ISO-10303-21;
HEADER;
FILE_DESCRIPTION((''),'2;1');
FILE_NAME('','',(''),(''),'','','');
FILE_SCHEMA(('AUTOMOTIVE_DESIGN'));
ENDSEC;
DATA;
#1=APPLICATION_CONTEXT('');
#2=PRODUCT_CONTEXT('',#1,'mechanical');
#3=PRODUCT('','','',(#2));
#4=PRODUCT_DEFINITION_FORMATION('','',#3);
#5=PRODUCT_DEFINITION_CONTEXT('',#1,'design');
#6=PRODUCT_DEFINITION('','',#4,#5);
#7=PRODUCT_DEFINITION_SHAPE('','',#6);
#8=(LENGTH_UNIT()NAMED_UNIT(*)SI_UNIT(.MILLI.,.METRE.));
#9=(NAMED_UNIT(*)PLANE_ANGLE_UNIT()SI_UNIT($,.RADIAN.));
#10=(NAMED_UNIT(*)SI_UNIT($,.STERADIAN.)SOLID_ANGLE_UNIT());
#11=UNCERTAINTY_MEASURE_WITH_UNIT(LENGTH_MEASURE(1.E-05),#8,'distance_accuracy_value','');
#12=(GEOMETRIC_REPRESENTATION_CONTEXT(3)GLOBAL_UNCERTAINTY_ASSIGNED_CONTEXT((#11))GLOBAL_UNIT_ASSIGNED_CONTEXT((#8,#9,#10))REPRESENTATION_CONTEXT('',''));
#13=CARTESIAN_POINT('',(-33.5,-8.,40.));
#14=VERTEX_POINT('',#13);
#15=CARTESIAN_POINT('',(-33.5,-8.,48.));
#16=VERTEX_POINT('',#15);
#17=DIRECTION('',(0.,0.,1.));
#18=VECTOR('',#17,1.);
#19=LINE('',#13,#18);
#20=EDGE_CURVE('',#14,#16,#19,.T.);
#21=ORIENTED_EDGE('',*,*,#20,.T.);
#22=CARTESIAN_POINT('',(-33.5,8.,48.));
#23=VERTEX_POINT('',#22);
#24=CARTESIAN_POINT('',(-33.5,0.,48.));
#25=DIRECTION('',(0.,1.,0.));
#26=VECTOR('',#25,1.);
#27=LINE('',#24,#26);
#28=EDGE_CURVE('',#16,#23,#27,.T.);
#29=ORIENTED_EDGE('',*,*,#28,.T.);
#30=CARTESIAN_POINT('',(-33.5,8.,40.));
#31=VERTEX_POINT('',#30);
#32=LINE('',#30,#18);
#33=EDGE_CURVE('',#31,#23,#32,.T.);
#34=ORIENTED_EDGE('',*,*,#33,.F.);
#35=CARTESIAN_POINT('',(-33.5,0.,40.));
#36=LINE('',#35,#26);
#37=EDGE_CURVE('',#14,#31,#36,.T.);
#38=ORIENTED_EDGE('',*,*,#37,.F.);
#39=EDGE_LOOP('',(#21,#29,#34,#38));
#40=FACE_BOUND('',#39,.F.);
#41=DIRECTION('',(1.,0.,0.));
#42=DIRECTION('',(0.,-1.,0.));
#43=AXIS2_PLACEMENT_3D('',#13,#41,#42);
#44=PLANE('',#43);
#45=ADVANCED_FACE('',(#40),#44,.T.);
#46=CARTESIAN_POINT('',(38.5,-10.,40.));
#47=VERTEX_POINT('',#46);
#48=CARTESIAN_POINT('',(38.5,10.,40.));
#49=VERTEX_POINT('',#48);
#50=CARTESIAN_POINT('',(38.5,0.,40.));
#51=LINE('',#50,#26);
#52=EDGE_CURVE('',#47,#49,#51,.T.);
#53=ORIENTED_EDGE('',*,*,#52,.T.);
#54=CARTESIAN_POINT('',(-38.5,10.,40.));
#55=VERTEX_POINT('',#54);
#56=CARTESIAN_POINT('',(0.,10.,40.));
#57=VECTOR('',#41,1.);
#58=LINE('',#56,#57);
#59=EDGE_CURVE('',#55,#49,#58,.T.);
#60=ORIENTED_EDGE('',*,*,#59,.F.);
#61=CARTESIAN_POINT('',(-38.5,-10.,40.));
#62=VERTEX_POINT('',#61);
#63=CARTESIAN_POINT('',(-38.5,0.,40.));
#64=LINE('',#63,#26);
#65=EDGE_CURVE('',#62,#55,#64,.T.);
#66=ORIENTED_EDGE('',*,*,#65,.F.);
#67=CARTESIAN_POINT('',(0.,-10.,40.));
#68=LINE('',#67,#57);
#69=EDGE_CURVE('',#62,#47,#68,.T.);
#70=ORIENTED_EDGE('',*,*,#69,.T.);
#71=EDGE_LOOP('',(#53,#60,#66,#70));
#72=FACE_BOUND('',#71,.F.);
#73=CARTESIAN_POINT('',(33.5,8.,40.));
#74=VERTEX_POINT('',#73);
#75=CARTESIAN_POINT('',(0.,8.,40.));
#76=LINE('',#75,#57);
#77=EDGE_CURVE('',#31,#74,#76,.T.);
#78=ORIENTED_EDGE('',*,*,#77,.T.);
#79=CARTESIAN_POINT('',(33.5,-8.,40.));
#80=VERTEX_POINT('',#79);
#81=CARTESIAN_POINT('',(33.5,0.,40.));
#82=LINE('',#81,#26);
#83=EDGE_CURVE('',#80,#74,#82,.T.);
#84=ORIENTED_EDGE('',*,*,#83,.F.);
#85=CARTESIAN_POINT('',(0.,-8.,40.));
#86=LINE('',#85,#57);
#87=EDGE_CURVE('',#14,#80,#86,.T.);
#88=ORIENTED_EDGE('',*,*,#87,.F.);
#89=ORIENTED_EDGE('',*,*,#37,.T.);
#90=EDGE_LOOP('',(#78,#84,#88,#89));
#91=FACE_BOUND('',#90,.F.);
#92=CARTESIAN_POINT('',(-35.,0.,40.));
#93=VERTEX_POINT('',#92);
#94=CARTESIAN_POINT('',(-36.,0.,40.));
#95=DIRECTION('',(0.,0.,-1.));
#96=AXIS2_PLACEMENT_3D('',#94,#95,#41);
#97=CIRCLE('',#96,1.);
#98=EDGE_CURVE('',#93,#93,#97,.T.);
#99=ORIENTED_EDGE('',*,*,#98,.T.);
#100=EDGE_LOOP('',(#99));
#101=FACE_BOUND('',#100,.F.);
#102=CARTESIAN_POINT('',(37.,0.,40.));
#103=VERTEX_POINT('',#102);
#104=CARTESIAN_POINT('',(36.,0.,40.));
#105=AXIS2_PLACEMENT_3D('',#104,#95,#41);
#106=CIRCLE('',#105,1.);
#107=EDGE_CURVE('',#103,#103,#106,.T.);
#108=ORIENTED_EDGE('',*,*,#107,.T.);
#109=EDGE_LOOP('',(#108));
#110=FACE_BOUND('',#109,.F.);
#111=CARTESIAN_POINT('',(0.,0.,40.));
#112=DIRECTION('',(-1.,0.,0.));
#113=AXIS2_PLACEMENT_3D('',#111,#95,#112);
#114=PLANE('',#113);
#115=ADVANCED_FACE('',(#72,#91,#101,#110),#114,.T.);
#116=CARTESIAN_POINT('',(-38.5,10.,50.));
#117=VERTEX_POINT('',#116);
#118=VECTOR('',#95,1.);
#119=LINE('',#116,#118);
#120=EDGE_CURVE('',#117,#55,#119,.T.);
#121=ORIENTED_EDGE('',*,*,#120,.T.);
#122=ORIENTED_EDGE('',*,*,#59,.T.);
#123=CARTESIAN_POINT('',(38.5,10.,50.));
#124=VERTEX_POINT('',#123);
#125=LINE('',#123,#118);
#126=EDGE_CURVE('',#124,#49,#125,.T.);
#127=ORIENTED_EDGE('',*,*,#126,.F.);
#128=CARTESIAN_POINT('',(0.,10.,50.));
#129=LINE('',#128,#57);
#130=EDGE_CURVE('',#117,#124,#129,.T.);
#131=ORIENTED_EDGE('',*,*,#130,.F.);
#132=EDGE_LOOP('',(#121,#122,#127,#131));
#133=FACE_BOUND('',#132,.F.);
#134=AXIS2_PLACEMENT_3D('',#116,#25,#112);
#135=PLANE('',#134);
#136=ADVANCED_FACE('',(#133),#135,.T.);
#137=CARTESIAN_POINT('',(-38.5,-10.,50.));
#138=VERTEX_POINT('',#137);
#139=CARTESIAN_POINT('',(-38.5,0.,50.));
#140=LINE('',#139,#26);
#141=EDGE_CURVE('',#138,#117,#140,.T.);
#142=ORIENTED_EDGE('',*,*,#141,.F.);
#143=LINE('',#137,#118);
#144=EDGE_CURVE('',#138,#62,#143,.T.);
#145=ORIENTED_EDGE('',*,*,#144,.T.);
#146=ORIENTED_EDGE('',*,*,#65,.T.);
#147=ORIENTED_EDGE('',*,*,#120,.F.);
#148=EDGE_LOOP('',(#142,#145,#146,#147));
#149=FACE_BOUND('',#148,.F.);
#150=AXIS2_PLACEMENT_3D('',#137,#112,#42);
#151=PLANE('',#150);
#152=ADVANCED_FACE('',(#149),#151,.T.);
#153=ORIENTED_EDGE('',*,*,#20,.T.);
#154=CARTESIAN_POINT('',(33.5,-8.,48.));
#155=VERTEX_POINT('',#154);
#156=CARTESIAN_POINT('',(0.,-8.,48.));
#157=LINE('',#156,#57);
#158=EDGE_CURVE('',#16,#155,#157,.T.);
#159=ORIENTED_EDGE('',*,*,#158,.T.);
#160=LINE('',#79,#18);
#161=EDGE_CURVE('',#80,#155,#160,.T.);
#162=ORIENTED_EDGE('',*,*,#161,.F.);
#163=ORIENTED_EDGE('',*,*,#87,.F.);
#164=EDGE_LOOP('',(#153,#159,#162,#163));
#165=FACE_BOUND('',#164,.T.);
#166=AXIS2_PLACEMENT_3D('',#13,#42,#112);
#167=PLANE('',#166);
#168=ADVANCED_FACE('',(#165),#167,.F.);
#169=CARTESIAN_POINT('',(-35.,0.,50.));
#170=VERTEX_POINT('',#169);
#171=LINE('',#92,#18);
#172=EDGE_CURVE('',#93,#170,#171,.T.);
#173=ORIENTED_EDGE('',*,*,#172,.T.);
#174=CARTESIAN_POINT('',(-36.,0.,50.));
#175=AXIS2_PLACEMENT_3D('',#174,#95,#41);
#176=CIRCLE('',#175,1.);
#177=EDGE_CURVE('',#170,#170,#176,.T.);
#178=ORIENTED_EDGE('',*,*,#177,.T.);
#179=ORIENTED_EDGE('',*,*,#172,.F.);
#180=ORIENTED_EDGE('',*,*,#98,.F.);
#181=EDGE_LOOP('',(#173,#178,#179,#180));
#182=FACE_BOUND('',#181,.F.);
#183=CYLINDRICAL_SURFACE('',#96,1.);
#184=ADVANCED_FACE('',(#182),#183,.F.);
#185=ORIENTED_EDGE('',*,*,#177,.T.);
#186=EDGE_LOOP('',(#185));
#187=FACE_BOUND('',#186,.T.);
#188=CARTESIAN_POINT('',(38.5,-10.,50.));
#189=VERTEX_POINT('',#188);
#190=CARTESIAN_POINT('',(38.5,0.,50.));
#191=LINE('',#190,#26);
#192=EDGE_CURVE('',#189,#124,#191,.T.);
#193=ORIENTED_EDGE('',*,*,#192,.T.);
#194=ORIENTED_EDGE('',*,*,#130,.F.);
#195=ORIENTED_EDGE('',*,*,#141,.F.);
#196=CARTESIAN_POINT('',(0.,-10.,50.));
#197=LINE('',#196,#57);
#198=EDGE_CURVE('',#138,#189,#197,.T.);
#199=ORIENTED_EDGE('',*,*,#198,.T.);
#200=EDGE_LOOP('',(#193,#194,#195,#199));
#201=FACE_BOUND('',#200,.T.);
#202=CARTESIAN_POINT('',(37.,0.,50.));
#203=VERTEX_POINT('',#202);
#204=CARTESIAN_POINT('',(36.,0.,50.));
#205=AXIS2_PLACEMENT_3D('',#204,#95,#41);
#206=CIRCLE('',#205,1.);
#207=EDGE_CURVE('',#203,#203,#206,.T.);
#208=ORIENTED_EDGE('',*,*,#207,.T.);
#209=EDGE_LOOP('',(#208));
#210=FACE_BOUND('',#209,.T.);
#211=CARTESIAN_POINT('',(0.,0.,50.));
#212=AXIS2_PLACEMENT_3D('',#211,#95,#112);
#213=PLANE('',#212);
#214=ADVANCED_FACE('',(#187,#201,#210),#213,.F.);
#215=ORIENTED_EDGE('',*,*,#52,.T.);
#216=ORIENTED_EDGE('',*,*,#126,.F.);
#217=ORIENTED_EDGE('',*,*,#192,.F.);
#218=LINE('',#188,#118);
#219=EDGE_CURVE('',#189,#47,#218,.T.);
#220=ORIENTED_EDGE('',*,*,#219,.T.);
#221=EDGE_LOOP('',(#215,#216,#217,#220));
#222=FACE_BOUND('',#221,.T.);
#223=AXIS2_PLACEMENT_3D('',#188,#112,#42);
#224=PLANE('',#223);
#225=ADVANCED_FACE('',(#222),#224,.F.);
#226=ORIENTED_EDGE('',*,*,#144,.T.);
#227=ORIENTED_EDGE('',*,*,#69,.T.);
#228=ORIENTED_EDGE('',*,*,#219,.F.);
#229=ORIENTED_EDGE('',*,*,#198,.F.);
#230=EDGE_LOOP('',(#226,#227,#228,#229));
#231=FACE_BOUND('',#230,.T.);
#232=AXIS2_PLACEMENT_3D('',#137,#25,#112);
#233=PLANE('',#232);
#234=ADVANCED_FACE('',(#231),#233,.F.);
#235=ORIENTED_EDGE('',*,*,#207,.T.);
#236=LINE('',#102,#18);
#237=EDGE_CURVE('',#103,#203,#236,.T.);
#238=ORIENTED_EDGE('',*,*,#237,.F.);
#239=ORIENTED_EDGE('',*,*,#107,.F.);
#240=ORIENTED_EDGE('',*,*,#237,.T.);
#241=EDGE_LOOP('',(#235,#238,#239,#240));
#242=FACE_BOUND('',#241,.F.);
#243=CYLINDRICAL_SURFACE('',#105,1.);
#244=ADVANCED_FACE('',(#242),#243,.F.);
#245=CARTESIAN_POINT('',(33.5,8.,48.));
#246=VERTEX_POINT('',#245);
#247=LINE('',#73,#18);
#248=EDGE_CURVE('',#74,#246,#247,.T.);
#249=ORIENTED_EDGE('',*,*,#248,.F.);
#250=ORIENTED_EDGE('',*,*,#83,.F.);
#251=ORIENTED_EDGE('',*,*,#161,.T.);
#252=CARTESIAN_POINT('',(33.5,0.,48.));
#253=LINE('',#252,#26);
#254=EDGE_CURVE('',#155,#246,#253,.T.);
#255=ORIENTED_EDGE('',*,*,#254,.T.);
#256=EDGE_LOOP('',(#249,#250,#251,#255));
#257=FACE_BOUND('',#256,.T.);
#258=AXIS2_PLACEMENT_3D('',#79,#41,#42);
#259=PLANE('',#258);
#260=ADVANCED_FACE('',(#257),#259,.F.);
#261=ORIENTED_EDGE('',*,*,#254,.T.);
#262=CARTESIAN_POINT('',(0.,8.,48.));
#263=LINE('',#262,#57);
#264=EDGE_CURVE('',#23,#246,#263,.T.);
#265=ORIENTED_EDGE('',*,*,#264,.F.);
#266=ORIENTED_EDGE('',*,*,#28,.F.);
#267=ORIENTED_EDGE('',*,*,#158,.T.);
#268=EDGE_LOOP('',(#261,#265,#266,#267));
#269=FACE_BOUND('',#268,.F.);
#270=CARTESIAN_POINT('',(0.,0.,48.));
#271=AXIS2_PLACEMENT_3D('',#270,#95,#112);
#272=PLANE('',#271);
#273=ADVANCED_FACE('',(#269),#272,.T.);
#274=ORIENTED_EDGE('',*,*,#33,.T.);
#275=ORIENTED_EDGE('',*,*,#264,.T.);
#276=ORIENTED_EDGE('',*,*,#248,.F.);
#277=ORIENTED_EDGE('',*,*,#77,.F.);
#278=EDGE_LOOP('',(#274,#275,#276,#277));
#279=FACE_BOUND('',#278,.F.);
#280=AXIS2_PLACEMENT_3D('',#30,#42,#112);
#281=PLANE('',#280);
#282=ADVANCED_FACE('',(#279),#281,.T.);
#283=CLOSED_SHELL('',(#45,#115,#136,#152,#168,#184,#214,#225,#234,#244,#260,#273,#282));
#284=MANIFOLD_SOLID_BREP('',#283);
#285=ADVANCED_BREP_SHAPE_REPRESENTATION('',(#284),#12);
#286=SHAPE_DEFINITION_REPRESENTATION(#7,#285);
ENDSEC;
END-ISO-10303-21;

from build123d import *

# Parameters (mm, degrees)
F0_W     = 77
F0_H     = 20
F1_DEPTH = 10
F2_W     = 67
F2_H     = 16
F3_DEPTH = 8
F7_R     = 1
F8_DEPTH = 25


with BuildPart() as f1:
    # F0 (on Top) → F1 (new body)
    with BuildSketch(Plane.XY):
        Rectangle(F0_W, F0_H)
    extrude(amount=F1_DEPTH)

    # F2 (on face) → F3 (cut)
    with BuildSketch(Plane.XY.offset(10)):
        Rectangle(F2_W, F2_H)
    extrude(amount=-F3_DEPTH, mode=Mode.SUBTRACT)


with BuildPart() as f5_1:
    # F5: instance of F1
    add(f1.part.mirror(Plane.XY.offset(25)))

    # F7 (on face) → F8 (cut)
    with BuildSketch(Plane(origin=(0, 0, 40), x_dir=(1, 0, 0), z_dir=(0, 0, -1))):
        with Locations((36, 0)):
            Circle(F7_R)
        with Locations((-36, 0)):
            Circle(F7_R)
    extrude(amount=-F8_DEPTH, mode=Mode.SUBTRACT)


solid = f5_1.part
